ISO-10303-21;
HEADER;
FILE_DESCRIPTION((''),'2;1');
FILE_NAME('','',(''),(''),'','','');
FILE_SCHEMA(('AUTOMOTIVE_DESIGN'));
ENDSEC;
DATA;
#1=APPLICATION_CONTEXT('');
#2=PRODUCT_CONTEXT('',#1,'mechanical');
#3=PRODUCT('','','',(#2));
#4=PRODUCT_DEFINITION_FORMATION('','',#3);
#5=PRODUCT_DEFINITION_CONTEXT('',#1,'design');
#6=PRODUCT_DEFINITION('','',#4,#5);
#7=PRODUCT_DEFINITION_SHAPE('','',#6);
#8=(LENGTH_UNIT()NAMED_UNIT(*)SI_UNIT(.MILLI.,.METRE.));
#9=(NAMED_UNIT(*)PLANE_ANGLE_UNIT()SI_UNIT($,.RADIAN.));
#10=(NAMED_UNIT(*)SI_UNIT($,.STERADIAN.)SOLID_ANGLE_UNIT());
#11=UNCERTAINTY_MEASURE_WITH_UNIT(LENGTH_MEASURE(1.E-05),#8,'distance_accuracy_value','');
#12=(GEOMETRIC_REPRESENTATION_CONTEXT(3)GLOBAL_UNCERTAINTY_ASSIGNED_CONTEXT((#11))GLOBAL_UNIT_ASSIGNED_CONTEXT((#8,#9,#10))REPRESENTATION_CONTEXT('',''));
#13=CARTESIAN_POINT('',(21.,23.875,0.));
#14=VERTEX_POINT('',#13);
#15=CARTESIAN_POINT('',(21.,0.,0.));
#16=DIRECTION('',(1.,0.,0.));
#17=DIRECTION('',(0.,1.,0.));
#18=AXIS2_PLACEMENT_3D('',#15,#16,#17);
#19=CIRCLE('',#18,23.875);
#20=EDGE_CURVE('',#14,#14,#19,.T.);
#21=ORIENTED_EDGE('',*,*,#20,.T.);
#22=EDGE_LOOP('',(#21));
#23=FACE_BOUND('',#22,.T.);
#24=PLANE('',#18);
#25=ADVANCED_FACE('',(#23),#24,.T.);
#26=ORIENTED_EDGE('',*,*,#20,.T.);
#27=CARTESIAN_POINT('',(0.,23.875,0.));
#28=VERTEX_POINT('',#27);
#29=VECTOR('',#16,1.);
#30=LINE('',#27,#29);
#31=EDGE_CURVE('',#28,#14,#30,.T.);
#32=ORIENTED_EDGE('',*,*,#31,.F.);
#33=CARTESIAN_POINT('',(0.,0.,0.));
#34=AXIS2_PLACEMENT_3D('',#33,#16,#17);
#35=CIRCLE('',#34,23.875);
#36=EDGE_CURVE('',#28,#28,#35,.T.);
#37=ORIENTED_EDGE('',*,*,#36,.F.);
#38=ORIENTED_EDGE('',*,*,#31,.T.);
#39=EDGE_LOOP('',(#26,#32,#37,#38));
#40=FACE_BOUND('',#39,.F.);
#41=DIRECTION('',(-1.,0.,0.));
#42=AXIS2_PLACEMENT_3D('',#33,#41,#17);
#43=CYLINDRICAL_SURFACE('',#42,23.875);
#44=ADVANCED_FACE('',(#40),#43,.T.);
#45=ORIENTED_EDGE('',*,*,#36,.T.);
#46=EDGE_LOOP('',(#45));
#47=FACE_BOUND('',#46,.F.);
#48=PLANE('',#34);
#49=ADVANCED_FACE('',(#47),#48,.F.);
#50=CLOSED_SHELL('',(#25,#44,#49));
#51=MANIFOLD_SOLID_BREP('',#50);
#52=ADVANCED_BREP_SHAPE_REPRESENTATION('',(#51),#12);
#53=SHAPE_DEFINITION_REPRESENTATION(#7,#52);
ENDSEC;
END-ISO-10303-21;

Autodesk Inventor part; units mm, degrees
ref_plane "YZ Plane" through (0, 0, 0) normal (1, 0, 0) x (0, 1, 0)
ref_plane "XZ Plane" through (0, 0, 0) normal (0, 1, 0) x (-1, 0, 0)
ref_plane "XY Plane" through (0, 0, 0) normal (0, 0, 1) x (1, 0, 0)
sketch "Sketch1" plane through (0, 0, 0) normal (1, 0, 0) x (0, 1, 0)
  circle A0 centre (0, 0) radius 23.875
  dimension "d0" = 47.75
extrude "Extrusion1" add sketch "Sketch1" along normal blind 21
properties part number "30 T Pulley" material "Aluminum 6061"
